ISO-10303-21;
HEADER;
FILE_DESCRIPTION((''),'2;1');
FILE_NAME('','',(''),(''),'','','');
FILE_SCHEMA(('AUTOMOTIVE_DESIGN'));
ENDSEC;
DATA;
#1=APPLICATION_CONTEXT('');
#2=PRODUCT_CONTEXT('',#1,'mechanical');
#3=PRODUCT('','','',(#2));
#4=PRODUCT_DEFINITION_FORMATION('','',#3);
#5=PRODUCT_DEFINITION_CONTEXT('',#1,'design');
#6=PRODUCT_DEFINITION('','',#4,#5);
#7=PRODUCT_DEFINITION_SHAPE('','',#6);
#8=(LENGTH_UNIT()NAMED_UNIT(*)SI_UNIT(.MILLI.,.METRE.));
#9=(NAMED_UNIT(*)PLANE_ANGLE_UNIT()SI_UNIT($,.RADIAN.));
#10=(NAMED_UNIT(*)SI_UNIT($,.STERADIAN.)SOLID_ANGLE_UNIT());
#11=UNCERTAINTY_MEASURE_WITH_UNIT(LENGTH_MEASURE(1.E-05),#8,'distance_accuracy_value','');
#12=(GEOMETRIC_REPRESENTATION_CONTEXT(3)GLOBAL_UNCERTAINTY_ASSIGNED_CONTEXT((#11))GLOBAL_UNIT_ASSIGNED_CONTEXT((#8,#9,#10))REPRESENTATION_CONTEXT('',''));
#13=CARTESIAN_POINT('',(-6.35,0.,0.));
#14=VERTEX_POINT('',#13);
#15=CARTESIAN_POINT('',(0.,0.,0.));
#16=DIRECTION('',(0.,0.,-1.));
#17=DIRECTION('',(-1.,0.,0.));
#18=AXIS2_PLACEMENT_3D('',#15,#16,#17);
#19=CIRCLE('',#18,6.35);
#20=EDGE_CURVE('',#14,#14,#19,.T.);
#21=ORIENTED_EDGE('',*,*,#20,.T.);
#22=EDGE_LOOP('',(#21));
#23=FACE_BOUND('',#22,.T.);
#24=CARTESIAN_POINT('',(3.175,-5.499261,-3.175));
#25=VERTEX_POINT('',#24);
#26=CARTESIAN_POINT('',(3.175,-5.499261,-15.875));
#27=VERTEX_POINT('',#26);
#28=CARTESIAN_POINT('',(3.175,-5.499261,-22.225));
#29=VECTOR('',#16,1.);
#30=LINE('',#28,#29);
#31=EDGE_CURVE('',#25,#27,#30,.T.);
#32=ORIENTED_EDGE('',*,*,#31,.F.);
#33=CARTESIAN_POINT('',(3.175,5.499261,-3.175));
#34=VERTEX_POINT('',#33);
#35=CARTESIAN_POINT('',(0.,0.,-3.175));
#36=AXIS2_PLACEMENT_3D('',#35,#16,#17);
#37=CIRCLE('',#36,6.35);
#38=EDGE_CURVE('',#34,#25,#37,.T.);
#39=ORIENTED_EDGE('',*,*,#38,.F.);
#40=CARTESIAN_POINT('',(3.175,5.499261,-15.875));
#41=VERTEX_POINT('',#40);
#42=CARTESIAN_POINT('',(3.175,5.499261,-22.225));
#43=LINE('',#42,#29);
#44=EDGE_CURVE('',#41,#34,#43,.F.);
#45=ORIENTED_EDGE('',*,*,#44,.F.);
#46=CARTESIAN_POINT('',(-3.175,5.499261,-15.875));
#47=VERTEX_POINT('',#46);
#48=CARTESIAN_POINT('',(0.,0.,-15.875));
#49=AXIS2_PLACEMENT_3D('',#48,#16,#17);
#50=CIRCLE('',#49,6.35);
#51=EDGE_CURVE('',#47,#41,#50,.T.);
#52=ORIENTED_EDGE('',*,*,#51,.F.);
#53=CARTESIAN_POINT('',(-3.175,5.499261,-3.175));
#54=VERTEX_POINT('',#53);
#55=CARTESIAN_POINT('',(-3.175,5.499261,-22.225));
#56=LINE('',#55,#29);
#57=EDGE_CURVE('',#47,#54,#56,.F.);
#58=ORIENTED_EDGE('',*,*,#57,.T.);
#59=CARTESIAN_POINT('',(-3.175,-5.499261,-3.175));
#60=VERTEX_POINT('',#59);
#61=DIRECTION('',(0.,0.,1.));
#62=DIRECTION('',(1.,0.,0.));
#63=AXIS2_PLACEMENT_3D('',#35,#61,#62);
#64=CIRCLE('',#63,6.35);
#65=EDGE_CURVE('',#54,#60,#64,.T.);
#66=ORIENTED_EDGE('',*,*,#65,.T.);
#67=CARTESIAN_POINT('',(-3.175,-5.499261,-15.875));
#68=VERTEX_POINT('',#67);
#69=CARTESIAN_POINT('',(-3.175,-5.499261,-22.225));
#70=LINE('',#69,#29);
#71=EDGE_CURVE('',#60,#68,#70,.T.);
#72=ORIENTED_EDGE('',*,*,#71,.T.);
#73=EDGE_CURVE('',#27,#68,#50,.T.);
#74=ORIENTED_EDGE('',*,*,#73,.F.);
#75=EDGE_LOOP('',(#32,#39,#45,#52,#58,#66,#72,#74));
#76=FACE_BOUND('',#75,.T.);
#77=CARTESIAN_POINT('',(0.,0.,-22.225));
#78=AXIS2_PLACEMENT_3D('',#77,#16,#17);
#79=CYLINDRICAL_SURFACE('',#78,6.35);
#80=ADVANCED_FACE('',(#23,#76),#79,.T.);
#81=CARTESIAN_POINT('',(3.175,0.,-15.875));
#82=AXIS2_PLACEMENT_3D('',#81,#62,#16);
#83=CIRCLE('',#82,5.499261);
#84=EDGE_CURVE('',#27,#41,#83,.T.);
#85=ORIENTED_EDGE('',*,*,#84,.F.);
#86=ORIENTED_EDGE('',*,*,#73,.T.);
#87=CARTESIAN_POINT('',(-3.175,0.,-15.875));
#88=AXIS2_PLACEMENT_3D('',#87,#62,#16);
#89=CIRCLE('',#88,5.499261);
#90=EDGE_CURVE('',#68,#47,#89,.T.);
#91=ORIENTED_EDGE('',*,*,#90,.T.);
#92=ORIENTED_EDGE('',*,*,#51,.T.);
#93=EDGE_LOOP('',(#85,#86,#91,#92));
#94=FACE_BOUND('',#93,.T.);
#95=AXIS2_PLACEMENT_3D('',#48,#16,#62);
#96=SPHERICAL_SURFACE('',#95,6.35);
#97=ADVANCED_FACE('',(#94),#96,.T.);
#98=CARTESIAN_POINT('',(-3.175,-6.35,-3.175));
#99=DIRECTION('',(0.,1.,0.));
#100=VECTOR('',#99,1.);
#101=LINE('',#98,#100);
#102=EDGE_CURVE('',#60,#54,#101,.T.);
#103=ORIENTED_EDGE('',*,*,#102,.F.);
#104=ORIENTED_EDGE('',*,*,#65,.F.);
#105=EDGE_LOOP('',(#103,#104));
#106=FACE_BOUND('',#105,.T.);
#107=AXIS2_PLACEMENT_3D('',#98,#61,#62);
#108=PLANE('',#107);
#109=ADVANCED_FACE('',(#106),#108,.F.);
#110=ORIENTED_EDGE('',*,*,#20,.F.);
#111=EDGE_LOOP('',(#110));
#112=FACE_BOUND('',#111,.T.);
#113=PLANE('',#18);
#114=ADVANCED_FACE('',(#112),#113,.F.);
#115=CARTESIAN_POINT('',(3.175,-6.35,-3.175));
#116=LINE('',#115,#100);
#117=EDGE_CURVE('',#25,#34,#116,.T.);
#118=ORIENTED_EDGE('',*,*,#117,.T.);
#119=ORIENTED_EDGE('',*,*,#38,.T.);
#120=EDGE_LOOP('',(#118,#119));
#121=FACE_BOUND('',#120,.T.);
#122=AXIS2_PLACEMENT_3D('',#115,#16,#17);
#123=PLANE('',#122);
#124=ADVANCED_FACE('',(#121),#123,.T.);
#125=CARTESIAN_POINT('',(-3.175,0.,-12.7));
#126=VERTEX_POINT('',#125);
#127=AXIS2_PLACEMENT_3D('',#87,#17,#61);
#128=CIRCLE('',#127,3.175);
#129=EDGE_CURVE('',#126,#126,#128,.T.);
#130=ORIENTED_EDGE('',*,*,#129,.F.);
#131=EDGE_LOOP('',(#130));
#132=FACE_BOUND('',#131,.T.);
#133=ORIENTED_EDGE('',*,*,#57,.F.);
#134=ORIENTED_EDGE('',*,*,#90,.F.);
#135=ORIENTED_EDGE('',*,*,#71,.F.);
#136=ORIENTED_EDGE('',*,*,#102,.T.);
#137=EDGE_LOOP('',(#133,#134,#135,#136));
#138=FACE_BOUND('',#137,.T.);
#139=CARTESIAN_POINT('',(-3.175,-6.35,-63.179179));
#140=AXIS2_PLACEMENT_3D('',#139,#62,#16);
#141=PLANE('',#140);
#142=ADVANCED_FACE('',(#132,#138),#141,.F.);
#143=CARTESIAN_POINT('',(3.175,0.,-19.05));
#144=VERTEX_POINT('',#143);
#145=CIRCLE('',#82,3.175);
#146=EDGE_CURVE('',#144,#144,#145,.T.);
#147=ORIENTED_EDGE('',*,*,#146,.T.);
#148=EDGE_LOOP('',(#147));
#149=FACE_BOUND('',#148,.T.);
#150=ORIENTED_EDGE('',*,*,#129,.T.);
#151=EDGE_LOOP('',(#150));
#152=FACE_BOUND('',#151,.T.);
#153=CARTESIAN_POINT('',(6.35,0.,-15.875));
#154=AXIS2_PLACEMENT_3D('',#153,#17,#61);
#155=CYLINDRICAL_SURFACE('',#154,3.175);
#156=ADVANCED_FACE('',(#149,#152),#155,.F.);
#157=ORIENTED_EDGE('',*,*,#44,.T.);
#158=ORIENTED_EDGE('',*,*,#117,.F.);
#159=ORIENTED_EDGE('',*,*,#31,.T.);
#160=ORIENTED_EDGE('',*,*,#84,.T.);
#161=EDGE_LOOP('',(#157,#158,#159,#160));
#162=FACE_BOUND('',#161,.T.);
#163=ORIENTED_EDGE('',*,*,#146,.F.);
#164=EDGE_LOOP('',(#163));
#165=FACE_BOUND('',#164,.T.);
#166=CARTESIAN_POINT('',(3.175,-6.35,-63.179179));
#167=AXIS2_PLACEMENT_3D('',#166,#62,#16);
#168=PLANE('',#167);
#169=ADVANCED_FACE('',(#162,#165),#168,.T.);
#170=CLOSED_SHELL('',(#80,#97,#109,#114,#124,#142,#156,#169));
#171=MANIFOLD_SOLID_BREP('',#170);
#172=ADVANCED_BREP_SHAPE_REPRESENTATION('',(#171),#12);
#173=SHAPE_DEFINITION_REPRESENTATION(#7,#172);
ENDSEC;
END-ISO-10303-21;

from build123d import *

# Parameters (mm, degrees)
SKETCH2_W          = 12.7
SKETCH2_H          = 60.004179461
CUT_EXTRUDE1_DEPTH = 24.970724332
SKETCH3_R          = 3.175
CUT_EXTRUDE2_DEPTH = 25.999975


with BuildPart() as part:
    # Sketch1 → Revolve1 (revolve)
    with BuildSketch(Plane(origin=(0, 0, 0), x_dir=(1, 0, 0), z_dir=(0, 1, 0)), mode=Mode.PRIVATE) as revolve1_sk:
        with BuildLine():
            Line((0, 0), (0, 15.875))
            Line((0, 15.875), (0, 22.225))
            ThreePointArc((0, 22.225), (4.490128061, 20.365128061), (6.35, 15.875))
            Line((6.35, 15.875), (6.35, 0))
            Line((6.35, 0), (0, 0))
        make_face()
    revolve(revolve1_sk.sketch.rotate(Axis((0, 0, -22.225), (0, 0, 1)), 180), axis=Axis((0, 0, -22.225), (0, 0, 1)))

    # Sketch2 → Cut-Extrude1 (cut, symmetric)
    with BuildSketch(Plane(origin=(0, 0, 0), x_dir=(1, 0, 0), z_dir=(0, 1, 0))):
        with Locations((-9.525, 33.177089731)):
            Rectangle(SKETCH2_W, SKETCH2_H)
    cut_extrude1 = extrude(amount=CUT_EXTRUDE1_DEPTH, both=True, mode=Mode.SUBTRACT)

    # Mirror1: Cut-Extrude1 across plane
    add(cut_extrude1.mirror(Plane(origin=(0, 0, 0), x_dir=(0, 0, 1), z_dir=(1, 0, 0))), mode=Mode.SUBTRACT)

    # Sketch3 → Cut-Extrude2 (cut, through all)
    with BuildSketch(Plane.ZY.offset(3.175)):
        with Locations((-15.875, 0)):
            Circle(SKETCH3_R)
    extrude(amount=-CUT_EXTRUDE2_DEPTH, mode=Mode.SUBTRACT)


solid = part.part
